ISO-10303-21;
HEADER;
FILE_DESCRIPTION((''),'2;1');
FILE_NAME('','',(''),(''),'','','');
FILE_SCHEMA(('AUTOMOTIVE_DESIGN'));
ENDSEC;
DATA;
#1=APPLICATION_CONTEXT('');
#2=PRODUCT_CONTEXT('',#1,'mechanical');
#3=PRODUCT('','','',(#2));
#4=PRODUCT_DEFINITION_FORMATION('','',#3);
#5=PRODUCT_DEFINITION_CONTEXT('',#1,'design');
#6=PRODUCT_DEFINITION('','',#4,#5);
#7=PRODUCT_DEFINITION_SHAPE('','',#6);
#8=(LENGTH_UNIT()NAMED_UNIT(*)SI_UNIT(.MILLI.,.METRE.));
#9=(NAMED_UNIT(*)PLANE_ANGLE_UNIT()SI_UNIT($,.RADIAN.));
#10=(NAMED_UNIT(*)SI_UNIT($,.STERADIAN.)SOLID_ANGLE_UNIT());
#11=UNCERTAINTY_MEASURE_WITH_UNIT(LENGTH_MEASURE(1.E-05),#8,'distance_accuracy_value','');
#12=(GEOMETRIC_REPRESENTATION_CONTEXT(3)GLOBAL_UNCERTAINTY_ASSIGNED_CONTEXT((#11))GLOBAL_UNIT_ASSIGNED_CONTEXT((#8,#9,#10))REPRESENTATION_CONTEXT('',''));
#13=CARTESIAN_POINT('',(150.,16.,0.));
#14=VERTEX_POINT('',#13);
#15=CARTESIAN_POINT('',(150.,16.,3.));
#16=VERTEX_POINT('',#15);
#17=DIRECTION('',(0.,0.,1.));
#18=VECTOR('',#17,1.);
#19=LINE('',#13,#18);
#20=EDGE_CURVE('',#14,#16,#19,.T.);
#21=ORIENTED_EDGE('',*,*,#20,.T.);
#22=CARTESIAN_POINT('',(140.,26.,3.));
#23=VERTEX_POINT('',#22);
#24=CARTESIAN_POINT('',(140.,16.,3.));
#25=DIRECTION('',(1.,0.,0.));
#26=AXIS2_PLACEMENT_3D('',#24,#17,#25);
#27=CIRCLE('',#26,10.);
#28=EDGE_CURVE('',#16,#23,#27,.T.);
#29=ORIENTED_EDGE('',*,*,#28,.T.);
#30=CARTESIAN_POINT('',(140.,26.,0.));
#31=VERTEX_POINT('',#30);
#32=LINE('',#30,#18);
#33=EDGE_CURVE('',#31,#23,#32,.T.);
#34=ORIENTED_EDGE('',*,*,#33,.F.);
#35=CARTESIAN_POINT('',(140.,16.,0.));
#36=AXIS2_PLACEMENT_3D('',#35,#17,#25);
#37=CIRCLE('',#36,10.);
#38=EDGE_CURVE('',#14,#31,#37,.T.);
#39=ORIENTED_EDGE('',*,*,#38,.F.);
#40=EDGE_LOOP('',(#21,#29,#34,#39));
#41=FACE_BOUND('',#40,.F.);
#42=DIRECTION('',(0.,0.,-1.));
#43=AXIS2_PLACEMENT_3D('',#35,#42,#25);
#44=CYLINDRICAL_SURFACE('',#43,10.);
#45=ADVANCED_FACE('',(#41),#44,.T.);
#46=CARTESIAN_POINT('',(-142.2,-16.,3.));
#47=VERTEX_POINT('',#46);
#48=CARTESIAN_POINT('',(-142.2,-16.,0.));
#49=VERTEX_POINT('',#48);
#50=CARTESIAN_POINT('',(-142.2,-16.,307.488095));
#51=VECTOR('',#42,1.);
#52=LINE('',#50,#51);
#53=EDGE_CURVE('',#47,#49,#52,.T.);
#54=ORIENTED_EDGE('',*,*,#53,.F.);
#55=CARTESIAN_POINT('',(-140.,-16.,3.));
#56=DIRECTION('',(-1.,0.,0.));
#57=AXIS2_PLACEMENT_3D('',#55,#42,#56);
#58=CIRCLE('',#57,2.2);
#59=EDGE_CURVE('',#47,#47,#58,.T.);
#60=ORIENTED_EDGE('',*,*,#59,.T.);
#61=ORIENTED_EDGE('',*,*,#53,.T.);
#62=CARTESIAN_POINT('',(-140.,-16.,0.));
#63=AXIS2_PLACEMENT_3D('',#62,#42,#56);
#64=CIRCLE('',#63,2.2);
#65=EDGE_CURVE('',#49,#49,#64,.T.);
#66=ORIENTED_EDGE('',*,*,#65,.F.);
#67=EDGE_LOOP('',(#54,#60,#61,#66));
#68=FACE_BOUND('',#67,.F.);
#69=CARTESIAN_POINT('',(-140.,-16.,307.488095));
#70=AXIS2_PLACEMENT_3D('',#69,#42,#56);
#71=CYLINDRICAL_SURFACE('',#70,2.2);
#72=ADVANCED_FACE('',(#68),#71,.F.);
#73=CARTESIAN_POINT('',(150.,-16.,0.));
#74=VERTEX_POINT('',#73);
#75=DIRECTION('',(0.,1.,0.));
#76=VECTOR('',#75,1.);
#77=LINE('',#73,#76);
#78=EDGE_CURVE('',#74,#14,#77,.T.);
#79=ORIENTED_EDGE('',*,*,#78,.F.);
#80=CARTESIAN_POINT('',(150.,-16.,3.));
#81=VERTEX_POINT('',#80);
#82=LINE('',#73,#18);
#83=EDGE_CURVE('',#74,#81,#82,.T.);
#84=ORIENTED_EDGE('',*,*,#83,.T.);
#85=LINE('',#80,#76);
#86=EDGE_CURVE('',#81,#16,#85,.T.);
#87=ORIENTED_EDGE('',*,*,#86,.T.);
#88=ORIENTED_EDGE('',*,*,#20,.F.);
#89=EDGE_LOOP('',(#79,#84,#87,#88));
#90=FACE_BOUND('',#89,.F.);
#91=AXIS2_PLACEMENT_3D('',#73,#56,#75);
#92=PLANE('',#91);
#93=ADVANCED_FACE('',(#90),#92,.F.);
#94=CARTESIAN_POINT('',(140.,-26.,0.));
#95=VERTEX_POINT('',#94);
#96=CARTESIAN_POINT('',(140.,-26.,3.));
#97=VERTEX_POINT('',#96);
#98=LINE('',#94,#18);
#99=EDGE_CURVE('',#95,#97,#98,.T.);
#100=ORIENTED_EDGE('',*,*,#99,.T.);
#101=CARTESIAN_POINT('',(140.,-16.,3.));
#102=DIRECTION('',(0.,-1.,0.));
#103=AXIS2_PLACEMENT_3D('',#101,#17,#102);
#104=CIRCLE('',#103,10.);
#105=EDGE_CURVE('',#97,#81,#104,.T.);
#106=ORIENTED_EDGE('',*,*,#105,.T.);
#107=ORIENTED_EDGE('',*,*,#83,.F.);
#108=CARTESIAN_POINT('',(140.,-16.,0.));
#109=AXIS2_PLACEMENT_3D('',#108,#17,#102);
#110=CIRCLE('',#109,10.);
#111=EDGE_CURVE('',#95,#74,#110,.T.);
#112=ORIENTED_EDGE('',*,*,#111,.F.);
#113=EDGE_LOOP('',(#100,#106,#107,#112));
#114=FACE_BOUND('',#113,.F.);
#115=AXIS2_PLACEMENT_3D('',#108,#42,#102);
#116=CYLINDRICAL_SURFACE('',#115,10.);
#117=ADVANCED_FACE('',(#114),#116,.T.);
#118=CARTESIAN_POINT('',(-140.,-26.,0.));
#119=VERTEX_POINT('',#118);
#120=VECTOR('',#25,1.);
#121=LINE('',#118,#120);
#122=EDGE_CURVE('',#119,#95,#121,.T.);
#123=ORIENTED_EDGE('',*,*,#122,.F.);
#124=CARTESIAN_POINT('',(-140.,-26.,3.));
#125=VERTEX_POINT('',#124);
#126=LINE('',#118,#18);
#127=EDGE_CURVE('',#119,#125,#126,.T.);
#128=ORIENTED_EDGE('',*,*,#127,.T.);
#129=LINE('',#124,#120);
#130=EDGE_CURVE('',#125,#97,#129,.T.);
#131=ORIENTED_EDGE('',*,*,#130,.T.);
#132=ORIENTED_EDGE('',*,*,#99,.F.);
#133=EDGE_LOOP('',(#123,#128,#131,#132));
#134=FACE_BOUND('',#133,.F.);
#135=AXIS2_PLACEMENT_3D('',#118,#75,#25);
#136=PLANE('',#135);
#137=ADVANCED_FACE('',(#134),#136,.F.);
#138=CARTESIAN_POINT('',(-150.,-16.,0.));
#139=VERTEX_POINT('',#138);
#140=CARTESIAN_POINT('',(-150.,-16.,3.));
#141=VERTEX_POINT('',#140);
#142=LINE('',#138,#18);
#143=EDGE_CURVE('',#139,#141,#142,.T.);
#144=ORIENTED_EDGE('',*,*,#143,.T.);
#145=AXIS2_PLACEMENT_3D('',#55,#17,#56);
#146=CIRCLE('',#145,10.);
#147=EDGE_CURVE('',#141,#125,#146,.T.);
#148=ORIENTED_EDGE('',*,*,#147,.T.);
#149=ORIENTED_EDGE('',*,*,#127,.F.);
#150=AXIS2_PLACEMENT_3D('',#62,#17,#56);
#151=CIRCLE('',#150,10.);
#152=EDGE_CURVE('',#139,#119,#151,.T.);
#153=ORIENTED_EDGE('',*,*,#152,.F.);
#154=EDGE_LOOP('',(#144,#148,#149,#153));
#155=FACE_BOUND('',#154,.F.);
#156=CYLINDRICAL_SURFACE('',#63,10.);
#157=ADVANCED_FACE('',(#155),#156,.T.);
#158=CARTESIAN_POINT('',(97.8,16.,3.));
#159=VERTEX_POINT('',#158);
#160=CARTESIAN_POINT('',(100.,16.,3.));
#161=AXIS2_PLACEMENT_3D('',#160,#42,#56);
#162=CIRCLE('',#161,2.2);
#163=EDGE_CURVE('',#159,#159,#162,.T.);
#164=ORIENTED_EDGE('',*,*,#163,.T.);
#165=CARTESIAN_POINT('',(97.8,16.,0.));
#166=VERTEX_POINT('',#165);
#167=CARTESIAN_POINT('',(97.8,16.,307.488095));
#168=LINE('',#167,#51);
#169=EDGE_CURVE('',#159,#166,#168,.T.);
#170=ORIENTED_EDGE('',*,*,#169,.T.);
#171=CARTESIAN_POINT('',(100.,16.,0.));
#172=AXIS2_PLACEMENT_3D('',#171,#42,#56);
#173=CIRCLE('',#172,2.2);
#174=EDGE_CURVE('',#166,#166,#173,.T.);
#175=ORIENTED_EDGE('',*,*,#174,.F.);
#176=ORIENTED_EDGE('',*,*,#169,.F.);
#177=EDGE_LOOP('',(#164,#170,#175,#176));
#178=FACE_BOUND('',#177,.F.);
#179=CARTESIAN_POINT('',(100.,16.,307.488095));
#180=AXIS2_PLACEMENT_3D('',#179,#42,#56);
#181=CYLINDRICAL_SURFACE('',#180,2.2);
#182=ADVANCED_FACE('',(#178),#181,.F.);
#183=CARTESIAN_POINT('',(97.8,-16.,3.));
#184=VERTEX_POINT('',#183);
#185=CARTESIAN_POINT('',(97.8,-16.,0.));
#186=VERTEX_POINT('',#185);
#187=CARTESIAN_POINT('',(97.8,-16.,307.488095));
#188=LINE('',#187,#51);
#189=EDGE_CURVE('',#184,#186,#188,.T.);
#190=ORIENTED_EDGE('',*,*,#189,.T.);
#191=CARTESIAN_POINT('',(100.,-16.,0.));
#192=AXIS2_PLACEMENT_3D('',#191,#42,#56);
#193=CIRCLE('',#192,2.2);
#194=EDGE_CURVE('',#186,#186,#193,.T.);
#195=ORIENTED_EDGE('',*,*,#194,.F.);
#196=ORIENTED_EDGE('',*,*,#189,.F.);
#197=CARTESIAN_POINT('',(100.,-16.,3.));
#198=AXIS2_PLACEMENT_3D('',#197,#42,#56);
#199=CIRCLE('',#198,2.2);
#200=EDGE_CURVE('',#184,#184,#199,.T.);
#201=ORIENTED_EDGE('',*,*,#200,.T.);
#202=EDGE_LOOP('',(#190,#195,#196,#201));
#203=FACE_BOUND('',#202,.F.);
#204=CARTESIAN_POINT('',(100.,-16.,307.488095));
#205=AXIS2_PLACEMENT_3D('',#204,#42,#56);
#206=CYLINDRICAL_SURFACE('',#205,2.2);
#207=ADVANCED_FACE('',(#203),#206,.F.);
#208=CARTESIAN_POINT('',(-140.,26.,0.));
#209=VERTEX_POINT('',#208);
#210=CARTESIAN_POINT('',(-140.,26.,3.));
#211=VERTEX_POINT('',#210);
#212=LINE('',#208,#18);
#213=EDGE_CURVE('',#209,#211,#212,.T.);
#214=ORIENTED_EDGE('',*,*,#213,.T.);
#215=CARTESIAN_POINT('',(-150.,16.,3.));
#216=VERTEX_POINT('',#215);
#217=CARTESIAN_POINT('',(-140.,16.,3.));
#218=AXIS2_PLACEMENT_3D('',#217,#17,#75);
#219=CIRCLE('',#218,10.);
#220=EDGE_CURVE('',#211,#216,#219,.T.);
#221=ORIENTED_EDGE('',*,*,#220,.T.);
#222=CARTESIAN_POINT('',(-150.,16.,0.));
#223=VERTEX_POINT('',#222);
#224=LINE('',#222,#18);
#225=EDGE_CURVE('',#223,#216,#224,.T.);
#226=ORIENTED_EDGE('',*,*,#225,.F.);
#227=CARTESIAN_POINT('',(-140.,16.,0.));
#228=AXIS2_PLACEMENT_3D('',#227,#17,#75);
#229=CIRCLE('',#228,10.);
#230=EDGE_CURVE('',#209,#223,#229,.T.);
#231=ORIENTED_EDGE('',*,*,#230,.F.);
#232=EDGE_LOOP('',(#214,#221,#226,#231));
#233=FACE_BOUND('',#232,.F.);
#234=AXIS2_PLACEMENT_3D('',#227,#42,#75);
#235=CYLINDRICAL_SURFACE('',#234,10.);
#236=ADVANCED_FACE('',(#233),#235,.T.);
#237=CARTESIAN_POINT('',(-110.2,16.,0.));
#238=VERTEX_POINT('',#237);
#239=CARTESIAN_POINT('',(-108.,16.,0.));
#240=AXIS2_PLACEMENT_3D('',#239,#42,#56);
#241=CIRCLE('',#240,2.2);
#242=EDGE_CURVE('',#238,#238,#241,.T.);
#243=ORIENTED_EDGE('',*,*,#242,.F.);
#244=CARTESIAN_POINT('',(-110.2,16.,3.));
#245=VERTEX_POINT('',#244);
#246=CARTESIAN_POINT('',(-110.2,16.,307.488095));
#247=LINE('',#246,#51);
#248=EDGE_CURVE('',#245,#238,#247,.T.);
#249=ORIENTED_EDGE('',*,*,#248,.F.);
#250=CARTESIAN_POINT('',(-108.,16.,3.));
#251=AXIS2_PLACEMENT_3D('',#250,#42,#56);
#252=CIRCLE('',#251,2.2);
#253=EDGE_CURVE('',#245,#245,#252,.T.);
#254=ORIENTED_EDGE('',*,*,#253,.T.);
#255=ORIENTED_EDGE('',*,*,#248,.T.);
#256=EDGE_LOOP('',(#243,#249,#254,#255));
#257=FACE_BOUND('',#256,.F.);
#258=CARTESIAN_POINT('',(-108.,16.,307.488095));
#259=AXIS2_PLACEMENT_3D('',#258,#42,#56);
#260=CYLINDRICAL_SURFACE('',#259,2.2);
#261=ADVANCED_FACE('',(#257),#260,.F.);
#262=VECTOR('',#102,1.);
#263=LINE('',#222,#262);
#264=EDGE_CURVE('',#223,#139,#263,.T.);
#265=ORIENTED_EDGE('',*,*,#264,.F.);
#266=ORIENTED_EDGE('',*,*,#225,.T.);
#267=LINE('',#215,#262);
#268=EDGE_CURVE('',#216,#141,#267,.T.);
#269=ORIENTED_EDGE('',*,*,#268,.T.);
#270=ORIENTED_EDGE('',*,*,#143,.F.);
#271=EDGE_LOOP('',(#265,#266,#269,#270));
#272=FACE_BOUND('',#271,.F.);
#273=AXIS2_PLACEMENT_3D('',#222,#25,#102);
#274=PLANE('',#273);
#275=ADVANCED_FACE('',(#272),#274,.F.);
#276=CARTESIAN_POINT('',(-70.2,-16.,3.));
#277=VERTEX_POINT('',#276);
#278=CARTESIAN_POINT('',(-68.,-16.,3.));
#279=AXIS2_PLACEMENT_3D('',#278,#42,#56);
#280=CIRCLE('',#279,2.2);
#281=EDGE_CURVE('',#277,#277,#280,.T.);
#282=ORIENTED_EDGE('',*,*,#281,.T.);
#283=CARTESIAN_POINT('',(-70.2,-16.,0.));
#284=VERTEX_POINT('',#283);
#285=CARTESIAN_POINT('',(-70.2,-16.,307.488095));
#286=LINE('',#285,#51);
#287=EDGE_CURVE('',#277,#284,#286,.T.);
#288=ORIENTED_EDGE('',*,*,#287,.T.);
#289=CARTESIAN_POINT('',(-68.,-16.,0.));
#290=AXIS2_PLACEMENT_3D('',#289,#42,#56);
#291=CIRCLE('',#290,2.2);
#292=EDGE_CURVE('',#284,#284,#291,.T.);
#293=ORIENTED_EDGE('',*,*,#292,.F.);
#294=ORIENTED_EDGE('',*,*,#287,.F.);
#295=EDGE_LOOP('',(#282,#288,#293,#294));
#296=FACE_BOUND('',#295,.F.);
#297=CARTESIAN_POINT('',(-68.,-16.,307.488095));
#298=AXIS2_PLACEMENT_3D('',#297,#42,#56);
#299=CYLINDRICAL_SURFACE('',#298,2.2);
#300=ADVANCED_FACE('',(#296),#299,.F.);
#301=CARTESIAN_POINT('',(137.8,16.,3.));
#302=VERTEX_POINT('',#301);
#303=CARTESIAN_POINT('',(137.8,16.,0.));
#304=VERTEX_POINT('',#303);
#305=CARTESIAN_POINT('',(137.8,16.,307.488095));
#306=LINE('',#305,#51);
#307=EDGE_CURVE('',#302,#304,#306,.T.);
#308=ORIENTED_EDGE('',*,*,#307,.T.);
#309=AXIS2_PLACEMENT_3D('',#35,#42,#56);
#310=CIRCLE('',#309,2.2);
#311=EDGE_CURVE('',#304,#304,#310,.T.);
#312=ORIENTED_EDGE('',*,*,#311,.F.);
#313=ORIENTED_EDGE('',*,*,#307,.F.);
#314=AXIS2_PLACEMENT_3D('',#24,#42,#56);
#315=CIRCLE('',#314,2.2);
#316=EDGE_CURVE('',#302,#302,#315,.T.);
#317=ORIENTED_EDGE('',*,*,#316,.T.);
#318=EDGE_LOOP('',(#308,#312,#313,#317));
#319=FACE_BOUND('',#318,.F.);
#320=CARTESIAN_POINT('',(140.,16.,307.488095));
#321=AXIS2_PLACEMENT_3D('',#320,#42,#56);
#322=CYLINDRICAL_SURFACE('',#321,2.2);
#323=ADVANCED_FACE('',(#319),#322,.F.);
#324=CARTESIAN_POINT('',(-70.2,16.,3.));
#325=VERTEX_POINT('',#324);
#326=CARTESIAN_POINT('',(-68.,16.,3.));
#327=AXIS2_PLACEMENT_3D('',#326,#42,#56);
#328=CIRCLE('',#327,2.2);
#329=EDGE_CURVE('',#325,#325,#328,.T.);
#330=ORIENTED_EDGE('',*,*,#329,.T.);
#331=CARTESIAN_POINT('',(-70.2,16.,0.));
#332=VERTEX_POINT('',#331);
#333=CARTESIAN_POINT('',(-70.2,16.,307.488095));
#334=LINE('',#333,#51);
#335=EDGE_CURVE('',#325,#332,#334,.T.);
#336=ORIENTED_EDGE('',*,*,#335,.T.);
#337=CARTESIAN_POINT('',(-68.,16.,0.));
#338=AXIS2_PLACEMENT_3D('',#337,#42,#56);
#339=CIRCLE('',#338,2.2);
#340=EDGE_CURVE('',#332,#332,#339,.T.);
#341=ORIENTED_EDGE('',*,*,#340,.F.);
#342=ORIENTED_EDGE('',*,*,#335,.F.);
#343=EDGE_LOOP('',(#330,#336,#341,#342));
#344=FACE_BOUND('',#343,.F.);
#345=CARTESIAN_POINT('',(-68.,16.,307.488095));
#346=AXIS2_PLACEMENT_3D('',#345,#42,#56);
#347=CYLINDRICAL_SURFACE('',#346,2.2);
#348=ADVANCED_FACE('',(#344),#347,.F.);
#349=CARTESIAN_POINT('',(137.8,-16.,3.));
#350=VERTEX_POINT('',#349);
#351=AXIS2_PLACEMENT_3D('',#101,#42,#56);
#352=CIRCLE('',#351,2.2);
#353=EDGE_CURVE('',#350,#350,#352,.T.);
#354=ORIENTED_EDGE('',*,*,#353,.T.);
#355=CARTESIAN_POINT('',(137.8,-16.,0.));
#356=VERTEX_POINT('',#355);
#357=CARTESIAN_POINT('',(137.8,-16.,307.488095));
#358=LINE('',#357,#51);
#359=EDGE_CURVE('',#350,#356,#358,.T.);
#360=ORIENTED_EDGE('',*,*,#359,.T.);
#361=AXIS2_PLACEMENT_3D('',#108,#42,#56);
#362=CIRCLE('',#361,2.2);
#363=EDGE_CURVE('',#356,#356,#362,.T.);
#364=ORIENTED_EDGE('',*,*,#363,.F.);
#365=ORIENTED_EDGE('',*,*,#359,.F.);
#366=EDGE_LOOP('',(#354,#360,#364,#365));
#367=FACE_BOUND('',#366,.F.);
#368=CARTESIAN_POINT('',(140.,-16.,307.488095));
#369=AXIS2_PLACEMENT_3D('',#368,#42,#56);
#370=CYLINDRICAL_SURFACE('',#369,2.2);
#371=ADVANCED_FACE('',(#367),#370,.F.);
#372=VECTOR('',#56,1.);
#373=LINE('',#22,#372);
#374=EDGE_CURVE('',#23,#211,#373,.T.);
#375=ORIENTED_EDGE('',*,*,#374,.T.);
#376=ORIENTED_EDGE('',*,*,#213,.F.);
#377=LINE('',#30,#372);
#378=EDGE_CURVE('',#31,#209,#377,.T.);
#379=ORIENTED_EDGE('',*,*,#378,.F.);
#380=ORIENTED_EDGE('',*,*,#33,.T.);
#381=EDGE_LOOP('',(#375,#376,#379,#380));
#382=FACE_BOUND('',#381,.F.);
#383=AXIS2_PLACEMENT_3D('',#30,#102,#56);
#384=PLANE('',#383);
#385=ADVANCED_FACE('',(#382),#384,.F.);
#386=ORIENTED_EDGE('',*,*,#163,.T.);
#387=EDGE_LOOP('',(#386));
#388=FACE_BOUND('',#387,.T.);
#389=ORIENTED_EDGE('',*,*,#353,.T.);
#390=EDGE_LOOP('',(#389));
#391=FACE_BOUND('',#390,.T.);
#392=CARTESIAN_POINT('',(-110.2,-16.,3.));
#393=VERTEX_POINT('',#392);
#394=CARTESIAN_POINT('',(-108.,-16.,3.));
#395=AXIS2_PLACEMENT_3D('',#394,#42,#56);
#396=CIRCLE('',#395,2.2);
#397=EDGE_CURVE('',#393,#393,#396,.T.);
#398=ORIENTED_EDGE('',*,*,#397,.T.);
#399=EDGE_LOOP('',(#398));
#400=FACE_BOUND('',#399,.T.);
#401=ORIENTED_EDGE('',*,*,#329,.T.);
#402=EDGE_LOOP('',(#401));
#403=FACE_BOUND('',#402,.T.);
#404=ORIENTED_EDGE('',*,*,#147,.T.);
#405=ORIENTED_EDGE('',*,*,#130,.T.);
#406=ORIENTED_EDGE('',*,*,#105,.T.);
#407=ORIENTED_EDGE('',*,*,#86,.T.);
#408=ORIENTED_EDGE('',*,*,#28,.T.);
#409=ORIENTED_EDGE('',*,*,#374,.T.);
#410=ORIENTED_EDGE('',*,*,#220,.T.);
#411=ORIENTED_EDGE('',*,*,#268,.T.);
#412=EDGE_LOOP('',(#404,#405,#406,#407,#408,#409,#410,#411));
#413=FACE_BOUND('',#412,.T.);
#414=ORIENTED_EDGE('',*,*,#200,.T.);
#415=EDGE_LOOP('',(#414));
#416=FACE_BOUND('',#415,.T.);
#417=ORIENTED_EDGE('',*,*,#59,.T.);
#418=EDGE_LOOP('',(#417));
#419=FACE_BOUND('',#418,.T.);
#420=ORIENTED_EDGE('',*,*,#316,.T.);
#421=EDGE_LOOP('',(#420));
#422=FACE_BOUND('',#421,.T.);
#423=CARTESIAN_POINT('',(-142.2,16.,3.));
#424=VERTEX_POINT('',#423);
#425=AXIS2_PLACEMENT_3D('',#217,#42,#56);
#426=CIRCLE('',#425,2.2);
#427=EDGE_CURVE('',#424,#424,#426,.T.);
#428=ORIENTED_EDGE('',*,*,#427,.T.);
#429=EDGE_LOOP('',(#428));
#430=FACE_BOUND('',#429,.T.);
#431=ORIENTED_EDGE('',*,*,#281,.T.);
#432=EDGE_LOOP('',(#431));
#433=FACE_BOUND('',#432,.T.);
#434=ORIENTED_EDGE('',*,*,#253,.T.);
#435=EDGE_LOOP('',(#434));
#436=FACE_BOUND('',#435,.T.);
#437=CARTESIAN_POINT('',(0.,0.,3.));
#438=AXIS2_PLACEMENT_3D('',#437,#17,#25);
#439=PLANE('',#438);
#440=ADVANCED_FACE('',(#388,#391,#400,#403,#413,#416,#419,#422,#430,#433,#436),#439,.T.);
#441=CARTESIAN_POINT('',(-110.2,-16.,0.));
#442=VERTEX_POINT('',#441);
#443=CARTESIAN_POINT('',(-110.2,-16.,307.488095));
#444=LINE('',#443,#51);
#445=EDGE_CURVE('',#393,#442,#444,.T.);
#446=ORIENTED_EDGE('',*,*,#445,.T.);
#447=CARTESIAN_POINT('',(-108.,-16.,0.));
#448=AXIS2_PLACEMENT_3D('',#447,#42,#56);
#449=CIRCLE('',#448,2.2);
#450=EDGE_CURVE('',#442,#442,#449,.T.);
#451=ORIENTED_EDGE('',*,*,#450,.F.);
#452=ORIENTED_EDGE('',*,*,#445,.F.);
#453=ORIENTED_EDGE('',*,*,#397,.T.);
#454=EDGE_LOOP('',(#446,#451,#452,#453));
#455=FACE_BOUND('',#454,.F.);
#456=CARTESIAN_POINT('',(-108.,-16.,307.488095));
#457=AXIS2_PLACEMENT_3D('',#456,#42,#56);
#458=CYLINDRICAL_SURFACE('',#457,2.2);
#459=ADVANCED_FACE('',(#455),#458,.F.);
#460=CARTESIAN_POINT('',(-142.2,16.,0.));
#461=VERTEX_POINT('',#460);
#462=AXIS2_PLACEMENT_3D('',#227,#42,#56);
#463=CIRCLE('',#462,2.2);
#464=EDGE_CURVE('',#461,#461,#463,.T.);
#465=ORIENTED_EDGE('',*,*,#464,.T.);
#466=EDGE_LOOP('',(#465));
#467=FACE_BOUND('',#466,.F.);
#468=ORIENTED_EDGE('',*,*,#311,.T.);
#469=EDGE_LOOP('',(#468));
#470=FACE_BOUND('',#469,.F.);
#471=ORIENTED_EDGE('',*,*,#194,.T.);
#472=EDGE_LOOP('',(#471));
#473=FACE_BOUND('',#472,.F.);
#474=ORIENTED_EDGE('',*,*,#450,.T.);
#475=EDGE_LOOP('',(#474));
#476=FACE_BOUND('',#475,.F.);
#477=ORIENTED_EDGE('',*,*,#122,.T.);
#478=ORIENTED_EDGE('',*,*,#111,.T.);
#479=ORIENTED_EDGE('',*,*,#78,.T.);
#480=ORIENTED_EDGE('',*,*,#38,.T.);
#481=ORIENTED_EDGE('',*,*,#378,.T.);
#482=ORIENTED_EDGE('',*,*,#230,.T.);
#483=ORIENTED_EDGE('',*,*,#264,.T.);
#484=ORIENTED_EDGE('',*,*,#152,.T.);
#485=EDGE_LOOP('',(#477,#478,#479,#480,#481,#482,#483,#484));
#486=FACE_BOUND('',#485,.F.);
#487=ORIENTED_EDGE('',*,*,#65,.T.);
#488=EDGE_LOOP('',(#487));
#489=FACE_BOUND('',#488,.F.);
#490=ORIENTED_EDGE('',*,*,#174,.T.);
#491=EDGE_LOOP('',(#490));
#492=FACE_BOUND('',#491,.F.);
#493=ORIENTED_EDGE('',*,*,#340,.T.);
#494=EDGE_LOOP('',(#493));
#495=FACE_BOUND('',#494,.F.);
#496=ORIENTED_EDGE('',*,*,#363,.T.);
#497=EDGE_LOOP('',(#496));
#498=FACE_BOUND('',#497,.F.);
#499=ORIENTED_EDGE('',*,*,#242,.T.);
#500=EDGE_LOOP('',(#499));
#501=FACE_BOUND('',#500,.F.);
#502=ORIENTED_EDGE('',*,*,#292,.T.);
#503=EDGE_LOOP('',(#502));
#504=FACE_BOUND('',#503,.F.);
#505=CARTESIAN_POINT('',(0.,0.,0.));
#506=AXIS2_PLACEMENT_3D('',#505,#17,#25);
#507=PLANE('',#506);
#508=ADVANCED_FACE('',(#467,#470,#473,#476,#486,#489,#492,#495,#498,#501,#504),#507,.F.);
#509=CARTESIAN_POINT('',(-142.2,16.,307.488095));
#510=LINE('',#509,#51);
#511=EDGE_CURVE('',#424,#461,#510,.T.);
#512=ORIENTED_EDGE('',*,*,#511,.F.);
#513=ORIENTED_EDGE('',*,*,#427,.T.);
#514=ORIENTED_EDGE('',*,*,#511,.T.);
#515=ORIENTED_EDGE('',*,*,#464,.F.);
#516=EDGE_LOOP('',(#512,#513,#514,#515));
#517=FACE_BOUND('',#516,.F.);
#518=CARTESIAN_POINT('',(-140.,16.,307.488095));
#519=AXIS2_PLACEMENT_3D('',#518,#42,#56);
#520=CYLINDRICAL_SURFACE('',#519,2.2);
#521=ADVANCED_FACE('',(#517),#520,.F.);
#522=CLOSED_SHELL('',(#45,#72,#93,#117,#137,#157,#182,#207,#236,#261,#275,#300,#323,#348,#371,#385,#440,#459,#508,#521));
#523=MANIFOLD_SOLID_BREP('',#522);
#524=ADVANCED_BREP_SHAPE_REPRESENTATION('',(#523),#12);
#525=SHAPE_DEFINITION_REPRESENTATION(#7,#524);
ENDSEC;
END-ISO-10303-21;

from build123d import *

# Parameters (mm, degrees)
F1_DEPTH = 3
F3_D     = 4.4


with BuildPart() as f1:
    # F0 (on Top) → F1 (new body)
    with BuildSketch(Plane.XY):
        with BuildLine():
            Line((-140, -26), (140, -26))
            ThreePointArc((140, -26), (147.0710678119, -23.0710678119), (150, -16))
            Line((150, -16), (150, 16))
            ThreePointArc((150, 16), (147.0710678119, 23.0710678119), (140, 26))
            Line((140, 26), (-140, 26))
            ThreePointArc((-140, 26), (-147.0710678119, 23.0710678119), (-150, 16))
            Line((-150, 16), (-150, -16))
            ThreePointArc((-150, -16), (-147.0710678119, -23.0710678119), (-140, -26))
        make_face()
    extrude(amount=F1_DEPTH)

    # F3 (through all)
    with Locations(Plane.XY.offset(3)):
        with Locations((-140, 16), (-140, -16), (-108, -16), (-108, 16), (-68, 16), (-68, -16), (140, 16), (100, 16), (100, -16), (140, -16)):
            Hole(F3_D / 2)


solid = f1.part
